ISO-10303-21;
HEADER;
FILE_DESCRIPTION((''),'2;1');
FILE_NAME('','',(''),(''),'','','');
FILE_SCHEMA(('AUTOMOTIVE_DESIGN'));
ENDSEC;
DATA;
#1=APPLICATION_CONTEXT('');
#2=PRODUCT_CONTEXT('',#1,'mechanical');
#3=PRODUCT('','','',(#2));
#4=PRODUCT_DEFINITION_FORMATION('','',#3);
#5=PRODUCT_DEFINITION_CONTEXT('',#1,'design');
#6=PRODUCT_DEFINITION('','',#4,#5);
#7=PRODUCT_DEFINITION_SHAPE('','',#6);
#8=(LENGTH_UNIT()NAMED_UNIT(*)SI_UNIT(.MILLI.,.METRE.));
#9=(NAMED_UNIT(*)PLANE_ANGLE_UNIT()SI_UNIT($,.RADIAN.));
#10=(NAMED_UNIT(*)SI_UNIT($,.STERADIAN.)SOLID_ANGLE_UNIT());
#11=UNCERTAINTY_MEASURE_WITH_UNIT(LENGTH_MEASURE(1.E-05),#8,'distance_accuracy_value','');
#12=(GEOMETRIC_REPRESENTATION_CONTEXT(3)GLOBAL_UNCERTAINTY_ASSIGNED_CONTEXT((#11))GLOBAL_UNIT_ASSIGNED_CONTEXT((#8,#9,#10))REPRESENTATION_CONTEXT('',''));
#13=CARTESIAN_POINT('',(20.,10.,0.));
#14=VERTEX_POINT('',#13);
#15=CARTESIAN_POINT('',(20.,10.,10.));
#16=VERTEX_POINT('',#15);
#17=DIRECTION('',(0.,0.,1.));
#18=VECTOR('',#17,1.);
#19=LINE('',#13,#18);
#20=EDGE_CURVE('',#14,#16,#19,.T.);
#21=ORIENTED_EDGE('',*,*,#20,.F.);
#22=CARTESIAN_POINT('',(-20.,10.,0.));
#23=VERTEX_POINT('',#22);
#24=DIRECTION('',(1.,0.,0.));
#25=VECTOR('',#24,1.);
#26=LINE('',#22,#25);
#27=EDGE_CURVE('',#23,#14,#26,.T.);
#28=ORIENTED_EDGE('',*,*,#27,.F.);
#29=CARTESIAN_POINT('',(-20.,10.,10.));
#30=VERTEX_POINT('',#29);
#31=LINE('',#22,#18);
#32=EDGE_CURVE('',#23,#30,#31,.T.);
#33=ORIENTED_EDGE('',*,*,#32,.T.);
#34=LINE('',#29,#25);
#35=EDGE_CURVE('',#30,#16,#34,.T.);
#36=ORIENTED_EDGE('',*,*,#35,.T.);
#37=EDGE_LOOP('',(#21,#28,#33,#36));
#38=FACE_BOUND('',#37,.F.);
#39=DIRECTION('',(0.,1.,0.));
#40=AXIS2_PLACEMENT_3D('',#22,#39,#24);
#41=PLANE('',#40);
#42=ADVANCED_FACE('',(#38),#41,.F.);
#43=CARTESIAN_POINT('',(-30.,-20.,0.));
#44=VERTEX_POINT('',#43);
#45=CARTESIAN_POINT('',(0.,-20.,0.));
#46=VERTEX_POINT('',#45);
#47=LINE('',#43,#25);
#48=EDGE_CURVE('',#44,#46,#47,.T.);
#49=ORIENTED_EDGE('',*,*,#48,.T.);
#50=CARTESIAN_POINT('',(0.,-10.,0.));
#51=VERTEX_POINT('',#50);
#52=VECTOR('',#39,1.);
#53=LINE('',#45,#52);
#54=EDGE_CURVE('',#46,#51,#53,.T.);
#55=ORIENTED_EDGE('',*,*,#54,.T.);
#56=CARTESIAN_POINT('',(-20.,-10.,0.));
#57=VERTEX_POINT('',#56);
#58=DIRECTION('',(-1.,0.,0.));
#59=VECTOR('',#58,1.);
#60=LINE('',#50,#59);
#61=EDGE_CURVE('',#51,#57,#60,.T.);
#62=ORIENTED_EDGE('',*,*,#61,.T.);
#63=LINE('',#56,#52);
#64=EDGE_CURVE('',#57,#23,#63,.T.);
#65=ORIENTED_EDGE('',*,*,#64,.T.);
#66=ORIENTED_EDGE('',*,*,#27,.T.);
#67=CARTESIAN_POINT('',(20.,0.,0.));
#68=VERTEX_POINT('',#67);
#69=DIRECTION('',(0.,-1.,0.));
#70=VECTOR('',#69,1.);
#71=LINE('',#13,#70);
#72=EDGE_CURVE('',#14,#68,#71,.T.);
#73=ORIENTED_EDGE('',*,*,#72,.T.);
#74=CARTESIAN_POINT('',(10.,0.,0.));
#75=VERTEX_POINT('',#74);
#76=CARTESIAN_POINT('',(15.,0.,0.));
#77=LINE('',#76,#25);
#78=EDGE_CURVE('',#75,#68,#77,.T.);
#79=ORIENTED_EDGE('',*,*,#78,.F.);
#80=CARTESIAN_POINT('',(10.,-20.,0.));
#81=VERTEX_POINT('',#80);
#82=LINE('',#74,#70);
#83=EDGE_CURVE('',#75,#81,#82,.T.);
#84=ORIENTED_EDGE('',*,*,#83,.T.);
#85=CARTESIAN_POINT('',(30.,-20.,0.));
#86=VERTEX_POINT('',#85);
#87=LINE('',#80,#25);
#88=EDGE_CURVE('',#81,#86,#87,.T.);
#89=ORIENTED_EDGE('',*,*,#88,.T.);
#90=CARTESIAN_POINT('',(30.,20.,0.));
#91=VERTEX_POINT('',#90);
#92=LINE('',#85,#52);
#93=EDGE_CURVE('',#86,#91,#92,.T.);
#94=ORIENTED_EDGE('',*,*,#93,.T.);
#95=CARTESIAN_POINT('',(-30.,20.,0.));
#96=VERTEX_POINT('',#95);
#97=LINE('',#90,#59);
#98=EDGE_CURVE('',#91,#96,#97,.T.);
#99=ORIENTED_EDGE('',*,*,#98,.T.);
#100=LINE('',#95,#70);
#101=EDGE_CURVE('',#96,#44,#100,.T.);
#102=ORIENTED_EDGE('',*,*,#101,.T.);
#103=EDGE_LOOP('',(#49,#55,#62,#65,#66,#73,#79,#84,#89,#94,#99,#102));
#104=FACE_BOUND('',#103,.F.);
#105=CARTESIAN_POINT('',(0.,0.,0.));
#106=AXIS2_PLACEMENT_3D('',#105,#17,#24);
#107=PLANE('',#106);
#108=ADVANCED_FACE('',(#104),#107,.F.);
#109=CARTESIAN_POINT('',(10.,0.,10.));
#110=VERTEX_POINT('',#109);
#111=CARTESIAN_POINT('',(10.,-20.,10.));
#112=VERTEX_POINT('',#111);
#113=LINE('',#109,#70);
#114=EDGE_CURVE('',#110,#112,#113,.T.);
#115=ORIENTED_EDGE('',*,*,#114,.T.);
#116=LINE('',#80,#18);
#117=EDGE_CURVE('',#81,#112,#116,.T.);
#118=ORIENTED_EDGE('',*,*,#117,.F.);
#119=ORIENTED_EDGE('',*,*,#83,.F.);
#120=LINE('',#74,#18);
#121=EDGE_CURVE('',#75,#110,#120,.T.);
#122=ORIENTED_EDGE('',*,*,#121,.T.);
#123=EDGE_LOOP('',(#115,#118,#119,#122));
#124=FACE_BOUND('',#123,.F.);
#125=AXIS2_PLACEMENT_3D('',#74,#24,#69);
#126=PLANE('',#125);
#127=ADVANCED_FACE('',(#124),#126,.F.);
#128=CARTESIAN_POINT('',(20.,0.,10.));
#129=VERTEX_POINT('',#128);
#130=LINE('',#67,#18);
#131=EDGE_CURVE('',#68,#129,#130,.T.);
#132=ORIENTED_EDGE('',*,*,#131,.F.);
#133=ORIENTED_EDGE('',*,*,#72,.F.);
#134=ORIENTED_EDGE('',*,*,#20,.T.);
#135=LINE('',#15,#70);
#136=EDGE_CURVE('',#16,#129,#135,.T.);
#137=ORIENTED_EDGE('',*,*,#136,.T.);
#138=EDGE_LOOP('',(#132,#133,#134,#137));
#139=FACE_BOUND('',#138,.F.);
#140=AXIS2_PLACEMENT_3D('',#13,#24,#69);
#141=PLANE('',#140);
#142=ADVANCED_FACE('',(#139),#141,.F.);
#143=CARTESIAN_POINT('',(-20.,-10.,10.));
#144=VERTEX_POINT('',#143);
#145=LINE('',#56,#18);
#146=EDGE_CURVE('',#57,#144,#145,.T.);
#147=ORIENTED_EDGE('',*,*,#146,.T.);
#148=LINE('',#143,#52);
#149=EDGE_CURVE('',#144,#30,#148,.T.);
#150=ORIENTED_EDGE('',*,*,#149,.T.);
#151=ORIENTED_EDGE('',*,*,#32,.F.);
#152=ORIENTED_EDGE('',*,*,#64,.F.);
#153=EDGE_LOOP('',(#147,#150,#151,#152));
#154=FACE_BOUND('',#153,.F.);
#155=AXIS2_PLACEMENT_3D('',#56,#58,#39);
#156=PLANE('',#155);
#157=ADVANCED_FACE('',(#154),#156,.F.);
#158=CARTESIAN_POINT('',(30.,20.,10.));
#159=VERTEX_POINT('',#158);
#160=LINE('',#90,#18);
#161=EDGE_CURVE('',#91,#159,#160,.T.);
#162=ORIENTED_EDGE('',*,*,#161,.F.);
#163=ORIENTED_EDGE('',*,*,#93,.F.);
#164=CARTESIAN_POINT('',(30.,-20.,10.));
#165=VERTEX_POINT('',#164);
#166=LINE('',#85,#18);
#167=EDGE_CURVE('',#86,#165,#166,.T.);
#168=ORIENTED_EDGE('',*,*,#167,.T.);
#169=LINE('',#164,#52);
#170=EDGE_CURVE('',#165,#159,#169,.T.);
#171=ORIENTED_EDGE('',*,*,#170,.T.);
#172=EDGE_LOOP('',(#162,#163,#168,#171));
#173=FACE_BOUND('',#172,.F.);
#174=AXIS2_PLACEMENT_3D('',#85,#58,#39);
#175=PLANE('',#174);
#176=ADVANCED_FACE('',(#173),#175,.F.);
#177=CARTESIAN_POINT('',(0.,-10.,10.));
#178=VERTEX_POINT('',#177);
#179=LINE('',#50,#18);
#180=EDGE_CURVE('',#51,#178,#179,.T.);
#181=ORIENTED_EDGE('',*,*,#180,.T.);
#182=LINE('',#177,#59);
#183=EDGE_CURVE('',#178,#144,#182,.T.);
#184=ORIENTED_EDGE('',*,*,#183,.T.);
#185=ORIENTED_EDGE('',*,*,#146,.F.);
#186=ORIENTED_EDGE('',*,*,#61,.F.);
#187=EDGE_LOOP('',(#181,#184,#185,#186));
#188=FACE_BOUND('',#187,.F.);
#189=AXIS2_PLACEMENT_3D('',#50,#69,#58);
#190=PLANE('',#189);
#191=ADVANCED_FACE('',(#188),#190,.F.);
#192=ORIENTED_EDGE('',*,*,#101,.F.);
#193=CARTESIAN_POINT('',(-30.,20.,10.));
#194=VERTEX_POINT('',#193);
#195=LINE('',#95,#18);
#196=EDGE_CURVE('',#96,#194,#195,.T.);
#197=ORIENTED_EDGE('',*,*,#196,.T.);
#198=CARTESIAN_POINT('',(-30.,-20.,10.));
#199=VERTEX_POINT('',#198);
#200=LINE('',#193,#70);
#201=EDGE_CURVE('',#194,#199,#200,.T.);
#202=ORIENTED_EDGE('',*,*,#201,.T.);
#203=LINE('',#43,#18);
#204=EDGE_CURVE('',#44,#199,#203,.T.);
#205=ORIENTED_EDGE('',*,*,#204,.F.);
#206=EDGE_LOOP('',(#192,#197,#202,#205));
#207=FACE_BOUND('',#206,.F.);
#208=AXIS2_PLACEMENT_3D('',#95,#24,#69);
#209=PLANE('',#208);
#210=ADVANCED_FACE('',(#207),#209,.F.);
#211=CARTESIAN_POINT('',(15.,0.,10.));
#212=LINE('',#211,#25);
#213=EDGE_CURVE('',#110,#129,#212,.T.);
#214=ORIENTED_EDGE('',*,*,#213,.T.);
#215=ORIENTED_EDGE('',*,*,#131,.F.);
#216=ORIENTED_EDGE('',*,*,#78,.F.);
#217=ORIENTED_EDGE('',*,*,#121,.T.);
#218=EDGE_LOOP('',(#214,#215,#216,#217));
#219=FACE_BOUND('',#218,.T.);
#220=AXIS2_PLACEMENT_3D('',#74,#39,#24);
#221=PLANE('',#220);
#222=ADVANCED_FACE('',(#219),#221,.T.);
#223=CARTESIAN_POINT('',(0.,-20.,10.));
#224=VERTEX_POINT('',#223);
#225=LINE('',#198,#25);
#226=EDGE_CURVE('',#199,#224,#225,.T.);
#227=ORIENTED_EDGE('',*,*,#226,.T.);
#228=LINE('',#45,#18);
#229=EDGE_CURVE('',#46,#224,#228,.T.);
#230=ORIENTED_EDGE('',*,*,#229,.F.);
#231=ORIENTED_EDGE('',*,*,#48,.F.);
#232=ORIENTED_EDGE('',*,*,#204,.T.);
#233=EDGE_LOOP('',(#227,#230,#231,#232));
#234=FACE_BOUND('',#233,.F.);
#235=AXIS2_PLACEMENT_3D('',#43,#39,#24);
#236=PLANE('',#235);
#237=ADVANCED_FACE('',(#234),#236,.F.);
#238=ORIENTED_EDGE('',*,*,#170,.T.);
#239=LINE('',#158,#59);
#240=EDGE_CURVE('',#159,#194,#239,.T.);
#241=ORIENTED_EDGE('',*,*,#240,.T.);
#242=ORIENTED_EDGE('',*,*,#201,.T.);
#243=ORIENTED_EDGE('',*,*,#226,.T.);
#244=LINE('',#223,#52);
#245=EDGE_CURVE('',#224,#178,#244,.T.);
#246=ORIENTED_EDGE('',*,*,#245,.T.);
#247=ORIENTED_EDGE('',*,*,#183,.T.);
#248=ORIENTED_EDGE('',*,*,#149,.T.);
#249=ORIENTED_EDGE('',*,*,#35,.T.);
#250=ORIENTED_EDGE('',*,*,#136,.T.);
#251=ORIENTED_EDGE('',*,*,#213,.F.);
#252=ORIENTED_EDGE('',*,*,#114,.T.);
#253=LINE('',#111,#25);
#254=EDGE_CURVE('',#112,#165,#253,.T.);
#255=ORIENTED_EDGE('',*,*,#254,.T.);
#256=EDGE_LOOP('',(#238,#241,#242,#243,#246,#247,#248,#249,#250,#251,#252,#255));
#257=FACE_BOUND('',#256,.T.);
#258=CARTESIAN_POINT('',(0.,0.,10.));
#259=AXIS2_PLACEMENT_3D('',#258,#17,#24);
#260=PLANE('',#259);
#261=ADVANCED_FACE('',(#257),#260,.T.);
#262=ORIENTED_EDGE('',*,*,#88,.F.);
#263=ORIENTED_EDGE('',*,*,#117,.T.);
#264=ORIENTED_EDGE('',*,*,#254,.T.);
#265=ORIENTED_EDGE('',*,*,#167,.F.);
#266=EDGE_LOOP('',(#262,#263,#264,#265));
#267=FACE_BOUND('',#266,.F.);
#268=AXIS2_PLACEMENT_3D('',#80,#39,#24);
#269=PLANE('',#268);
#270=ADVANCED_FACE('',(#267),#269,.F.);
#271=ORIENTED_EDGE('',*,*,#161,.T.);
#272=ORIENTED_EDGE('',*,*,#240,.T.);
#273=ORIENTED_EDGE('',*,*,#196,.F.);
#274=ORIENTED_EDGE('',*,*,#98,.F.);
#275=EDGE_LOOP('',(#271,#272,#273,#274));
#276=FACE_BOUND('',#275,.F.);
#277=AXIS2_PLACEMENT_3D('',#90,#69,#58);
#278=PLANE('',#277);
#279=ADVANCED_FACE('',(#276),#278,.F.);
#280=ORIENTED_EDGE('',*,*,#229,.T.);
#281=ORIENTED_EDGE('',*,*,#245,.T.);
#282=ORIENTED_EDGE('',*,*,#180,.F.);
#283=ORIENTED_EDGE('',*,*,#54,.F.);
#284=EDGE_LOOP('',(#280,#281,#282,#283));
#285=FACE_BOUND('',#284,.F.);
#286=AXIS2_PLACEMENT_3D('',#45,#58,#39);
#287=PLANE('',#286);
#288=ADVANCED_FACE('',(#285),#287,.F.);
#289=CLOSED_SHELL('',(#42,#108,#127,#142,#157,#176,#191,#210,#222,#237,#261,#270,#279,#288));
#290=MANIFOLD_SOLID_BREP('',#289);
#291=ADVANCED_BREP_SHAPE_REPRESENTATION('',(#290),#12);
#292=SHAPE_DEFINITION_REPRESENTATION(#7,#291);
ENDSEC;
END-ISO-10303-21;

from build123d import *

# Parameters (mm, degrees)
F0_W     = 10
F0_H     = 10
F1_DEPTH = 10


with BuildPart() as f1:
    # F0 (on Top) → F1 (new body)
    with BuildSketch(Plane.XY):
        Polygon((30, 20), (-30, 20), (-30, -20), (0, -20), (0, -10), (-20, -10), (-20, 10), (20, 10), (20, 0), (20, -10), (10, -10), (10, -20), (30, -20), align=None)
        with Locations((15, -5)):
            Rectangle(F0_W, F0_H)
    extrude(amount=F1_DEPTH)


solid = f1.part
